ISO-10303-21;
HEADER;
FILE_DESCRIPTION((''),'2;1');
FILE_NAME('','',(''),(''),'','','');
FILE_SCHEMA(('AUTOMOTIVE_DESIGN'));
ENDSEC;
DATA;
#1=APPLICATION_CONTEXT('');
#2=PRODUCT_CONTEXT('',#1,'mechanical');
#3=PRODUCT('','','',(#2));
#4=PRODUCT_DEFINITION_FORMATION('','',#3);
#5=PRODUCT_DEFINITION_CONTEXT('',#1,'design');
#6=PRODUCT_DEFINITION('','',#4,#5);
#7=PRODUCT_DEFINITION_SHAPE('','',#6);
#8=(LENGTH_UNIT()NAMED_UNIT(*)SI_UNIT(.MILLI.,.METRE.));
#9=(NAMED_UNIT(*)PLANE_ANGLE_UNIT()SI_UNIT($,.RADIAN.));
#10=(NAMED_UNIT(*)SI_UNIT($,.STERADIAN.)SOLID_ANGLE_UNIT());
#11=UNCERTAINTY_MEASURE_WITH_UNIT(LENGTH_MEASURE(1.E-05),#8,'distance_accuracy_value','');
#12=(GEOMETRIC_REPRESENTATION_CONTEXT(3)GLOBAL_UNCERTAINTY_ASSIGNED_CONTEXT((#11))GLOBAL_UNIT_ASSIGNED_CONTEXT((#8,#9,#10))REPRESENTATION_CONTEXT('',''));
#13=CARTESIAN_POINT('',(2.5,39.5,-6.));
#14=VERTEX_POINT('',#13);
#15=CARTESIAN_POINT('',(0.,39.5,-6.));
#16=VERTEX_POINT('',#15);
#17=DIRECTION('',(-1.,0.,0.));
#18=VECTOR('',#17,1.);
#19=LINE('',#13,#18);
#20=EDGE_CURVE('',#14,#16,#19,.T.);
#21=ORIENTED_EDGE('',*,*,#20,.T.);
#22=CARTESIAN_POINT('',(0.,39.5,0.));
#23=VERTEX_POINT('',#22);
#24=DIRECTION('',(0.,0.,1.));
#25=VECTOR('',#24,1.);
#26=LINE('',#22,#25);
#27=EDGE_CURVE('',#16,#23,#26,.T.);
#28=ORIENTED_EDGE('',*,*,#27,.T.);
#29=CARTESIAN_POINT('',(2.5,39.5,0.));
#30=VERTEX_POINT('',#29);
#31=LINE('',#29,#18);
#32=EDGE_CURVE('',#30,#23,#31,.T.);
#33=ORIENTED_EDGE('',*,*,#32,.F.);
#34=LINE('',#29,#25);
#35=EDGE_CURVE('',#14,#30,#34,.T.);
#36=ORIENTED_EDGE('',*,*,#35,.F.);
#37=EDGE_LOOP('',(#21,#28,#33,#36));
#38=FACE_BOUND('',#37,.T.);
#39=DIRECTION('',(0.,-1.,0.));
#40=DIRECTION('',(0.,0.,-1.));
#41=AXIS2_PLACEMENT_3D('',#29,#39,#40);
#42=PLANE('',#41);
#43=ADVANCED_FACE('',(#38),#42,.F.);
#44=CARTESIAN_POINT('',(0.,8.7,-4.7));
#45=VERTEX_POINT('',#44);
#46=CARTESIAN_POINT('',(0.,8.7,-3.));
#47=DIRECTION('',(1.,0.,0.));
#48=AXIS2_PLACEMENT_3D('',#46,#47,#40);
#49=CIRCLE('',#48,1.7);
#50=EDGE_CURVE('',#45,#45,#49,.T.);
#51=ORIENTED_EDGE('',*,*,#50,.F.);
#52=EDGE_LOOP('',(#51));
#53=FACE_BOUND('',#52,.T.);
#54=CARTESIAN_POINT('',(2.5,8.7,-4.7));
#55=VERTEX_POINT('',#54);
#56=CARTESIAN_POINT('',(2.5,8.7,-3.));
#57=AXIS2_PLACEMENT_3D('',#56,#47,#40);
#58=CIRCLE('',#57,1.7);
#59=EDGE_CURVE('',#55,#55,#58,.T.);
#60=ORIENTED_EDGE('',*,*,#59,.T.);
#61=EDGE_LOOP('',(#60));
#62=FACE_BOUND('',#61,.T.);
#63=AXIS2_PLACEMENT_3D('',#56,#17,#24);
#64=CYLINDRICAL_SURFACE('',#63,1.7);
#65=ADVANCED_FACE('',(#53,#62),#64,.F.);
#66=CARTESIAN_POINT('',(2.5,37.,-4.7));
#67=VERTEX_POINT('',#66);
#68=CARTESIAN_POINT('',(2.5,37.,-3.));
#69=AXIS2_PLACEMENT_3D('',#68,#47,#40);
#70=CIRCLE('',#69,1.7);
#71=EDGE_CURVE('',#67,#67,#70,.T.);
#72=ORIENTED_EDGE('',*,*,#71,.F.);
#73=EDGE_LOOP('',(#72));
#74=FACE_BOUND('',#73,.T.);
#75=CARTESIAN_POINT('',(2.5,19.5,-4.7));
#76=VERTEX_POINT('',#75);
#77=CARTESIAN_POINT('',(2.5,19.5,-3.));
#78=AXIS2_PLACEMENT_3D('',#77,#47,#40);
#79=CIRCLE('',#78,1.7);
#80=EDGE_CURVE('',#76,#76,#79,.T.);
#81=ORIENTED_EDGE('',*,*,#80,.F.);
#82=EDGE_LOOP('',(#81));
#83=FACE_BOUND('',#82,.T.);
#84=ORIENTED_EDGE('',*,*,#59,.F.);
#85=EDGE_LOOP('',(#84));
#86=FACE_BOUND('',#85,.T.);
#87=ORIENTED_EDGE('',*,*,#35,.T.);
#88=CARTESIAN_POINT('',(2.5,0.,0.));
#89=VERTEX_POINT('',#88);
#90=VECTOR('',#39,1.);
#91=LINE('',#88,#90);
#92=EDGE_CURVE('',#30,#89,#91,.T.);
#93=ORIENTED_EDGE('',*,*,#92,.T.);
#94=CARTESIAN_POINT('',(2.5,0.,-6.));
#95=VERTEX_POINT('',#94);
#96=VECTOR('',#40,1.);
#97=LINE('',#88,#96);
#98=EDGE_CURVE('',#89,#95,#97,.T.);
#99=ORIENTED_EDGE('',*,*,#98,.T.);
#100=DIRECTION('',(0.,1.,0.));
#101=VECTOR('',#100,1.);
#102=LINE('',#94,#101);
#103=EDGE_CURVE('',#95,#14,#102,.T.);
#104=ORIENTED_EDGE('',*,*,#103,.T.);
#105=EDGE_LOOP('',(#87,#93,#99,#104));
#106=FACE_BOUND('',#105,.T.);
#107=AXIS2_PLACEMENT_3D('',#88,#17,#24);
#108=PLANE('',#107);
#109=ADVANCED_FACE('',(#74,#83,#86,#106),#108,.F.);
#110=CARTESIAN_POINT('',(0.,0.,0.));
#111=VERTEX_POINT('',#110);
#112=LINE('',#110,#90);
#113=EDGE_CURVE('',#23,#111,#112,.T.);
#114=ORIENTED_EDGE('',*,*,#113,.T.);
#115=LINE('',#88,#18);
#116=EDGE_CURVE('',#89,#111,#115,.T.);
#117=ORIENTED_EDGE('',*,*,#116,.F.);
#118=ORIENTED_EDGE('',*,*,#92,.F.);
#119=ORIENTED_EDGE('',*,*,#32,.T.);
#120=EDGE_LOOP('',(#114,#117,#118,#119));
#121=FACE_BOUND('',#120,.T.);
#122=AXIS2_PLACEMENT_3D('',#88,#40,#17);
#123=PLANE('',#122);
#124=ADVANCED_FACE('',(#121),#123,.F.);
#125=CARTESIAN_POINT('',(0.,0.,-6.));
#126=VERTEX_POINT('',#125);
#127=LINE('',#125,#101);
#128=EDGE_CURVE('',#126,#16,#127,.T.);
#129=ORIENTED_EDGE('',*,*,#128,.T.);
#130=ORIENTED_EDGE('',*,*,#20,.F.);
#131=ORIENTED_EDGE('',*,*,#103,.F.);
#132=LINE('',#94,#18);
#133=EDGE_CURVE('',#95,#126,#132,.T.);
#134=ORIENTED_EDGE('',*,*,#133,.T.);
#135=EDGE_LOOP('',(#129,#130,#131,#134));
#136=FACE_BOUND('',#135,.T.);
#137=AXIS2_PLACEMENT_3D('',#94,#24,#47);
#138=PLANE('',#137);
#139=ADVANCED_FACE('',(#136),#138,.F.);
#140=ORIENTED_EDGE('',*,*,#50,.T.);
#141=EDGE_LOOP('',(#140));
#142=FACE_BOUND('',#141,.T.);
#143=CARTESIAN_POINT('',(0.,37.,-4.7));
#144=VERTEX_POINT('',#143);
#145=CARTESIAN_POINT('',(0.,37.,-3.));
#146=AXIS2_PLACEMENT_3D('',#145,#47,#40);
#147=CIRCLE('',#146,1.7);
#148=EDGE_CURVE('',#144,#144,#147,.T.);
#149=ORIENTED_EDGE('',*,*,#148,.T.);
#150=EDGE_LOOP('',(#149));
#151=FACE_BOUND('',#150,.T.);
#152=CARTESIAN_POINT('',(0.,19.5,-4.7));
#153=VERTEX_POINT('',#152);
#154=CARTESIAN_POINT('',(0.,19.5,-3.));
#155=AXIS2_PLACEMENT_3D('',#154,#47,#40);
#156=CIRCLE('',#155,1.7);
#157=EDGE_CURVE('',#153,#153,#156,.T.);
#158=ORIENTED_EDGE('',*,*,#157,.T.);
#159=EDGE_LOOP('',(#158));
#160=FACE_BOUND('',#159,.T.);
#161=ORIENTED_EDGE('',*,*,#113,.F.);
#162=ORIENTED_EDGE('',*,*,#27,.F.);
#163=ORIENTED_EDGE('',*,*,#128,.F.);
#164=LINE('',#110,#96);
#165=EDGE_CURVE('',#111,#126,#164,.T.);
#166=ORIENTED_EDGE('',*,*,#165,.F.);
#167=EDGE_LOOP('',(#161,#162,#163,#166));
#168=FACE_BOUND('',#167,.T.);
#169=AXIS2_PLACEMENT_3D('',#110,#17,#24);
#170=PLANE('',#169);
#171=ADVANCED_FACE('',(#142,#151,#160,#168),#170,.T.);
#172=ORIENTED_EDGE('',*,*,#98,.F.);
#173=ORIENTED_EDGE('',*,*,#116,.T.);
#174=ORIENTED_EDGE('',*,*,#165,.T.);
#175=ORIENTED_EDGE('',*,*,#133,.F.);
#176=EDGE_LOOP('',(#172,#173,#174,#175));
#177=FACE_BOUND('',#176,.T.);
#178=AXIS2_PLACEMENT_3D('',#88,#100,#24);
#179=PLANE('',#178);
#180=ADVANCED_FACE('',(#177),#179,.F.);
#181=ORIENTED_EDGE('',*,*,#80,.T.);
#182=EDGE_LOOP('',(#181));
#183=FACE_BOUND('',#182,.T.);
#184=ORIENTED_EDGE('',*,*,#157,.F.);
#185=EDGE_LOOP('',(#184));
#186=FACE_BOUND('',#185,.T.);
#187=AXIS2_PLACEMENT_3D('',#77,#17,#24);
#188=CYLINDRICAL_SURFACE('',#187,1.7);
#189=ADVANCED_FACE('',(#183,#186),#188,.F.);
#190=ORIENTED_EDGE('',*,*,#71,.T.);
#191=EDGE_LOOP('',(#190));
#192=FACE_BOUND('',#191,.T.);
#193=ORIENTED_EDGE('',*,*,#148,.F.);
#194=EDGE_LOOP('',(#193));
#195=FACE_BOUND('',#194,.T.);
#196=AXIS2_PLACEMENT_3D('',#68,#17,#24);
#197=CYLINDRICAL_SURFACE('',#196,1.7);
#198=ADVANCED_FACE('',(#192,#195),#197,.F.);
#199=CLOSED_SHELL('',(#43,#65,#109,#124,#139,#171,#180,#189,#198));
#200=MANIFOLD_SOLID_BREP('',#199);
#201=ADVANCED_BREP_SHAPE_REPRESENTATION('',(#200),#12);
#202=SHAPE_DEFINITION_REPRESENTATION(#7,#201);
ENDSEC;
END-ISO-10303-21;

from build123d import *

# Parameters (mm, degrees)
SKETCH2_W           = 6
SKETCH2_H           = 39.5
SKETCH2_R           = 1.7
BOSS_EXTRUDE1_DEPTH = 2.5


with BuildPart() as part:
    # Sketch2 → Boss-Extrude1 (new body)
    with BuildSketch(Plane(origin=(0, 0, 0), x_dir=(0, 0, -1), z_dir=(1, 0, 0))):
        with Locations((3, 19.75)):
            Rectangle(SKETCH2_W, SKETCH2_H)
        with Locations((3, 8.7)):
            Circle(SKETCH2_R, mode=Mode.SUBTRACT)
        with Locations((3, 19.5)):
            Circle(SKETCH2_R, mode=Mode.SUBTRACT)
        with Locations((3, 37)):
            Circle(SKETCH2_R, mode=Mode.SUBTRACT)
    extrude(amount=BOSS_EXTRUDE1_DEPTH)


solid = part.part
